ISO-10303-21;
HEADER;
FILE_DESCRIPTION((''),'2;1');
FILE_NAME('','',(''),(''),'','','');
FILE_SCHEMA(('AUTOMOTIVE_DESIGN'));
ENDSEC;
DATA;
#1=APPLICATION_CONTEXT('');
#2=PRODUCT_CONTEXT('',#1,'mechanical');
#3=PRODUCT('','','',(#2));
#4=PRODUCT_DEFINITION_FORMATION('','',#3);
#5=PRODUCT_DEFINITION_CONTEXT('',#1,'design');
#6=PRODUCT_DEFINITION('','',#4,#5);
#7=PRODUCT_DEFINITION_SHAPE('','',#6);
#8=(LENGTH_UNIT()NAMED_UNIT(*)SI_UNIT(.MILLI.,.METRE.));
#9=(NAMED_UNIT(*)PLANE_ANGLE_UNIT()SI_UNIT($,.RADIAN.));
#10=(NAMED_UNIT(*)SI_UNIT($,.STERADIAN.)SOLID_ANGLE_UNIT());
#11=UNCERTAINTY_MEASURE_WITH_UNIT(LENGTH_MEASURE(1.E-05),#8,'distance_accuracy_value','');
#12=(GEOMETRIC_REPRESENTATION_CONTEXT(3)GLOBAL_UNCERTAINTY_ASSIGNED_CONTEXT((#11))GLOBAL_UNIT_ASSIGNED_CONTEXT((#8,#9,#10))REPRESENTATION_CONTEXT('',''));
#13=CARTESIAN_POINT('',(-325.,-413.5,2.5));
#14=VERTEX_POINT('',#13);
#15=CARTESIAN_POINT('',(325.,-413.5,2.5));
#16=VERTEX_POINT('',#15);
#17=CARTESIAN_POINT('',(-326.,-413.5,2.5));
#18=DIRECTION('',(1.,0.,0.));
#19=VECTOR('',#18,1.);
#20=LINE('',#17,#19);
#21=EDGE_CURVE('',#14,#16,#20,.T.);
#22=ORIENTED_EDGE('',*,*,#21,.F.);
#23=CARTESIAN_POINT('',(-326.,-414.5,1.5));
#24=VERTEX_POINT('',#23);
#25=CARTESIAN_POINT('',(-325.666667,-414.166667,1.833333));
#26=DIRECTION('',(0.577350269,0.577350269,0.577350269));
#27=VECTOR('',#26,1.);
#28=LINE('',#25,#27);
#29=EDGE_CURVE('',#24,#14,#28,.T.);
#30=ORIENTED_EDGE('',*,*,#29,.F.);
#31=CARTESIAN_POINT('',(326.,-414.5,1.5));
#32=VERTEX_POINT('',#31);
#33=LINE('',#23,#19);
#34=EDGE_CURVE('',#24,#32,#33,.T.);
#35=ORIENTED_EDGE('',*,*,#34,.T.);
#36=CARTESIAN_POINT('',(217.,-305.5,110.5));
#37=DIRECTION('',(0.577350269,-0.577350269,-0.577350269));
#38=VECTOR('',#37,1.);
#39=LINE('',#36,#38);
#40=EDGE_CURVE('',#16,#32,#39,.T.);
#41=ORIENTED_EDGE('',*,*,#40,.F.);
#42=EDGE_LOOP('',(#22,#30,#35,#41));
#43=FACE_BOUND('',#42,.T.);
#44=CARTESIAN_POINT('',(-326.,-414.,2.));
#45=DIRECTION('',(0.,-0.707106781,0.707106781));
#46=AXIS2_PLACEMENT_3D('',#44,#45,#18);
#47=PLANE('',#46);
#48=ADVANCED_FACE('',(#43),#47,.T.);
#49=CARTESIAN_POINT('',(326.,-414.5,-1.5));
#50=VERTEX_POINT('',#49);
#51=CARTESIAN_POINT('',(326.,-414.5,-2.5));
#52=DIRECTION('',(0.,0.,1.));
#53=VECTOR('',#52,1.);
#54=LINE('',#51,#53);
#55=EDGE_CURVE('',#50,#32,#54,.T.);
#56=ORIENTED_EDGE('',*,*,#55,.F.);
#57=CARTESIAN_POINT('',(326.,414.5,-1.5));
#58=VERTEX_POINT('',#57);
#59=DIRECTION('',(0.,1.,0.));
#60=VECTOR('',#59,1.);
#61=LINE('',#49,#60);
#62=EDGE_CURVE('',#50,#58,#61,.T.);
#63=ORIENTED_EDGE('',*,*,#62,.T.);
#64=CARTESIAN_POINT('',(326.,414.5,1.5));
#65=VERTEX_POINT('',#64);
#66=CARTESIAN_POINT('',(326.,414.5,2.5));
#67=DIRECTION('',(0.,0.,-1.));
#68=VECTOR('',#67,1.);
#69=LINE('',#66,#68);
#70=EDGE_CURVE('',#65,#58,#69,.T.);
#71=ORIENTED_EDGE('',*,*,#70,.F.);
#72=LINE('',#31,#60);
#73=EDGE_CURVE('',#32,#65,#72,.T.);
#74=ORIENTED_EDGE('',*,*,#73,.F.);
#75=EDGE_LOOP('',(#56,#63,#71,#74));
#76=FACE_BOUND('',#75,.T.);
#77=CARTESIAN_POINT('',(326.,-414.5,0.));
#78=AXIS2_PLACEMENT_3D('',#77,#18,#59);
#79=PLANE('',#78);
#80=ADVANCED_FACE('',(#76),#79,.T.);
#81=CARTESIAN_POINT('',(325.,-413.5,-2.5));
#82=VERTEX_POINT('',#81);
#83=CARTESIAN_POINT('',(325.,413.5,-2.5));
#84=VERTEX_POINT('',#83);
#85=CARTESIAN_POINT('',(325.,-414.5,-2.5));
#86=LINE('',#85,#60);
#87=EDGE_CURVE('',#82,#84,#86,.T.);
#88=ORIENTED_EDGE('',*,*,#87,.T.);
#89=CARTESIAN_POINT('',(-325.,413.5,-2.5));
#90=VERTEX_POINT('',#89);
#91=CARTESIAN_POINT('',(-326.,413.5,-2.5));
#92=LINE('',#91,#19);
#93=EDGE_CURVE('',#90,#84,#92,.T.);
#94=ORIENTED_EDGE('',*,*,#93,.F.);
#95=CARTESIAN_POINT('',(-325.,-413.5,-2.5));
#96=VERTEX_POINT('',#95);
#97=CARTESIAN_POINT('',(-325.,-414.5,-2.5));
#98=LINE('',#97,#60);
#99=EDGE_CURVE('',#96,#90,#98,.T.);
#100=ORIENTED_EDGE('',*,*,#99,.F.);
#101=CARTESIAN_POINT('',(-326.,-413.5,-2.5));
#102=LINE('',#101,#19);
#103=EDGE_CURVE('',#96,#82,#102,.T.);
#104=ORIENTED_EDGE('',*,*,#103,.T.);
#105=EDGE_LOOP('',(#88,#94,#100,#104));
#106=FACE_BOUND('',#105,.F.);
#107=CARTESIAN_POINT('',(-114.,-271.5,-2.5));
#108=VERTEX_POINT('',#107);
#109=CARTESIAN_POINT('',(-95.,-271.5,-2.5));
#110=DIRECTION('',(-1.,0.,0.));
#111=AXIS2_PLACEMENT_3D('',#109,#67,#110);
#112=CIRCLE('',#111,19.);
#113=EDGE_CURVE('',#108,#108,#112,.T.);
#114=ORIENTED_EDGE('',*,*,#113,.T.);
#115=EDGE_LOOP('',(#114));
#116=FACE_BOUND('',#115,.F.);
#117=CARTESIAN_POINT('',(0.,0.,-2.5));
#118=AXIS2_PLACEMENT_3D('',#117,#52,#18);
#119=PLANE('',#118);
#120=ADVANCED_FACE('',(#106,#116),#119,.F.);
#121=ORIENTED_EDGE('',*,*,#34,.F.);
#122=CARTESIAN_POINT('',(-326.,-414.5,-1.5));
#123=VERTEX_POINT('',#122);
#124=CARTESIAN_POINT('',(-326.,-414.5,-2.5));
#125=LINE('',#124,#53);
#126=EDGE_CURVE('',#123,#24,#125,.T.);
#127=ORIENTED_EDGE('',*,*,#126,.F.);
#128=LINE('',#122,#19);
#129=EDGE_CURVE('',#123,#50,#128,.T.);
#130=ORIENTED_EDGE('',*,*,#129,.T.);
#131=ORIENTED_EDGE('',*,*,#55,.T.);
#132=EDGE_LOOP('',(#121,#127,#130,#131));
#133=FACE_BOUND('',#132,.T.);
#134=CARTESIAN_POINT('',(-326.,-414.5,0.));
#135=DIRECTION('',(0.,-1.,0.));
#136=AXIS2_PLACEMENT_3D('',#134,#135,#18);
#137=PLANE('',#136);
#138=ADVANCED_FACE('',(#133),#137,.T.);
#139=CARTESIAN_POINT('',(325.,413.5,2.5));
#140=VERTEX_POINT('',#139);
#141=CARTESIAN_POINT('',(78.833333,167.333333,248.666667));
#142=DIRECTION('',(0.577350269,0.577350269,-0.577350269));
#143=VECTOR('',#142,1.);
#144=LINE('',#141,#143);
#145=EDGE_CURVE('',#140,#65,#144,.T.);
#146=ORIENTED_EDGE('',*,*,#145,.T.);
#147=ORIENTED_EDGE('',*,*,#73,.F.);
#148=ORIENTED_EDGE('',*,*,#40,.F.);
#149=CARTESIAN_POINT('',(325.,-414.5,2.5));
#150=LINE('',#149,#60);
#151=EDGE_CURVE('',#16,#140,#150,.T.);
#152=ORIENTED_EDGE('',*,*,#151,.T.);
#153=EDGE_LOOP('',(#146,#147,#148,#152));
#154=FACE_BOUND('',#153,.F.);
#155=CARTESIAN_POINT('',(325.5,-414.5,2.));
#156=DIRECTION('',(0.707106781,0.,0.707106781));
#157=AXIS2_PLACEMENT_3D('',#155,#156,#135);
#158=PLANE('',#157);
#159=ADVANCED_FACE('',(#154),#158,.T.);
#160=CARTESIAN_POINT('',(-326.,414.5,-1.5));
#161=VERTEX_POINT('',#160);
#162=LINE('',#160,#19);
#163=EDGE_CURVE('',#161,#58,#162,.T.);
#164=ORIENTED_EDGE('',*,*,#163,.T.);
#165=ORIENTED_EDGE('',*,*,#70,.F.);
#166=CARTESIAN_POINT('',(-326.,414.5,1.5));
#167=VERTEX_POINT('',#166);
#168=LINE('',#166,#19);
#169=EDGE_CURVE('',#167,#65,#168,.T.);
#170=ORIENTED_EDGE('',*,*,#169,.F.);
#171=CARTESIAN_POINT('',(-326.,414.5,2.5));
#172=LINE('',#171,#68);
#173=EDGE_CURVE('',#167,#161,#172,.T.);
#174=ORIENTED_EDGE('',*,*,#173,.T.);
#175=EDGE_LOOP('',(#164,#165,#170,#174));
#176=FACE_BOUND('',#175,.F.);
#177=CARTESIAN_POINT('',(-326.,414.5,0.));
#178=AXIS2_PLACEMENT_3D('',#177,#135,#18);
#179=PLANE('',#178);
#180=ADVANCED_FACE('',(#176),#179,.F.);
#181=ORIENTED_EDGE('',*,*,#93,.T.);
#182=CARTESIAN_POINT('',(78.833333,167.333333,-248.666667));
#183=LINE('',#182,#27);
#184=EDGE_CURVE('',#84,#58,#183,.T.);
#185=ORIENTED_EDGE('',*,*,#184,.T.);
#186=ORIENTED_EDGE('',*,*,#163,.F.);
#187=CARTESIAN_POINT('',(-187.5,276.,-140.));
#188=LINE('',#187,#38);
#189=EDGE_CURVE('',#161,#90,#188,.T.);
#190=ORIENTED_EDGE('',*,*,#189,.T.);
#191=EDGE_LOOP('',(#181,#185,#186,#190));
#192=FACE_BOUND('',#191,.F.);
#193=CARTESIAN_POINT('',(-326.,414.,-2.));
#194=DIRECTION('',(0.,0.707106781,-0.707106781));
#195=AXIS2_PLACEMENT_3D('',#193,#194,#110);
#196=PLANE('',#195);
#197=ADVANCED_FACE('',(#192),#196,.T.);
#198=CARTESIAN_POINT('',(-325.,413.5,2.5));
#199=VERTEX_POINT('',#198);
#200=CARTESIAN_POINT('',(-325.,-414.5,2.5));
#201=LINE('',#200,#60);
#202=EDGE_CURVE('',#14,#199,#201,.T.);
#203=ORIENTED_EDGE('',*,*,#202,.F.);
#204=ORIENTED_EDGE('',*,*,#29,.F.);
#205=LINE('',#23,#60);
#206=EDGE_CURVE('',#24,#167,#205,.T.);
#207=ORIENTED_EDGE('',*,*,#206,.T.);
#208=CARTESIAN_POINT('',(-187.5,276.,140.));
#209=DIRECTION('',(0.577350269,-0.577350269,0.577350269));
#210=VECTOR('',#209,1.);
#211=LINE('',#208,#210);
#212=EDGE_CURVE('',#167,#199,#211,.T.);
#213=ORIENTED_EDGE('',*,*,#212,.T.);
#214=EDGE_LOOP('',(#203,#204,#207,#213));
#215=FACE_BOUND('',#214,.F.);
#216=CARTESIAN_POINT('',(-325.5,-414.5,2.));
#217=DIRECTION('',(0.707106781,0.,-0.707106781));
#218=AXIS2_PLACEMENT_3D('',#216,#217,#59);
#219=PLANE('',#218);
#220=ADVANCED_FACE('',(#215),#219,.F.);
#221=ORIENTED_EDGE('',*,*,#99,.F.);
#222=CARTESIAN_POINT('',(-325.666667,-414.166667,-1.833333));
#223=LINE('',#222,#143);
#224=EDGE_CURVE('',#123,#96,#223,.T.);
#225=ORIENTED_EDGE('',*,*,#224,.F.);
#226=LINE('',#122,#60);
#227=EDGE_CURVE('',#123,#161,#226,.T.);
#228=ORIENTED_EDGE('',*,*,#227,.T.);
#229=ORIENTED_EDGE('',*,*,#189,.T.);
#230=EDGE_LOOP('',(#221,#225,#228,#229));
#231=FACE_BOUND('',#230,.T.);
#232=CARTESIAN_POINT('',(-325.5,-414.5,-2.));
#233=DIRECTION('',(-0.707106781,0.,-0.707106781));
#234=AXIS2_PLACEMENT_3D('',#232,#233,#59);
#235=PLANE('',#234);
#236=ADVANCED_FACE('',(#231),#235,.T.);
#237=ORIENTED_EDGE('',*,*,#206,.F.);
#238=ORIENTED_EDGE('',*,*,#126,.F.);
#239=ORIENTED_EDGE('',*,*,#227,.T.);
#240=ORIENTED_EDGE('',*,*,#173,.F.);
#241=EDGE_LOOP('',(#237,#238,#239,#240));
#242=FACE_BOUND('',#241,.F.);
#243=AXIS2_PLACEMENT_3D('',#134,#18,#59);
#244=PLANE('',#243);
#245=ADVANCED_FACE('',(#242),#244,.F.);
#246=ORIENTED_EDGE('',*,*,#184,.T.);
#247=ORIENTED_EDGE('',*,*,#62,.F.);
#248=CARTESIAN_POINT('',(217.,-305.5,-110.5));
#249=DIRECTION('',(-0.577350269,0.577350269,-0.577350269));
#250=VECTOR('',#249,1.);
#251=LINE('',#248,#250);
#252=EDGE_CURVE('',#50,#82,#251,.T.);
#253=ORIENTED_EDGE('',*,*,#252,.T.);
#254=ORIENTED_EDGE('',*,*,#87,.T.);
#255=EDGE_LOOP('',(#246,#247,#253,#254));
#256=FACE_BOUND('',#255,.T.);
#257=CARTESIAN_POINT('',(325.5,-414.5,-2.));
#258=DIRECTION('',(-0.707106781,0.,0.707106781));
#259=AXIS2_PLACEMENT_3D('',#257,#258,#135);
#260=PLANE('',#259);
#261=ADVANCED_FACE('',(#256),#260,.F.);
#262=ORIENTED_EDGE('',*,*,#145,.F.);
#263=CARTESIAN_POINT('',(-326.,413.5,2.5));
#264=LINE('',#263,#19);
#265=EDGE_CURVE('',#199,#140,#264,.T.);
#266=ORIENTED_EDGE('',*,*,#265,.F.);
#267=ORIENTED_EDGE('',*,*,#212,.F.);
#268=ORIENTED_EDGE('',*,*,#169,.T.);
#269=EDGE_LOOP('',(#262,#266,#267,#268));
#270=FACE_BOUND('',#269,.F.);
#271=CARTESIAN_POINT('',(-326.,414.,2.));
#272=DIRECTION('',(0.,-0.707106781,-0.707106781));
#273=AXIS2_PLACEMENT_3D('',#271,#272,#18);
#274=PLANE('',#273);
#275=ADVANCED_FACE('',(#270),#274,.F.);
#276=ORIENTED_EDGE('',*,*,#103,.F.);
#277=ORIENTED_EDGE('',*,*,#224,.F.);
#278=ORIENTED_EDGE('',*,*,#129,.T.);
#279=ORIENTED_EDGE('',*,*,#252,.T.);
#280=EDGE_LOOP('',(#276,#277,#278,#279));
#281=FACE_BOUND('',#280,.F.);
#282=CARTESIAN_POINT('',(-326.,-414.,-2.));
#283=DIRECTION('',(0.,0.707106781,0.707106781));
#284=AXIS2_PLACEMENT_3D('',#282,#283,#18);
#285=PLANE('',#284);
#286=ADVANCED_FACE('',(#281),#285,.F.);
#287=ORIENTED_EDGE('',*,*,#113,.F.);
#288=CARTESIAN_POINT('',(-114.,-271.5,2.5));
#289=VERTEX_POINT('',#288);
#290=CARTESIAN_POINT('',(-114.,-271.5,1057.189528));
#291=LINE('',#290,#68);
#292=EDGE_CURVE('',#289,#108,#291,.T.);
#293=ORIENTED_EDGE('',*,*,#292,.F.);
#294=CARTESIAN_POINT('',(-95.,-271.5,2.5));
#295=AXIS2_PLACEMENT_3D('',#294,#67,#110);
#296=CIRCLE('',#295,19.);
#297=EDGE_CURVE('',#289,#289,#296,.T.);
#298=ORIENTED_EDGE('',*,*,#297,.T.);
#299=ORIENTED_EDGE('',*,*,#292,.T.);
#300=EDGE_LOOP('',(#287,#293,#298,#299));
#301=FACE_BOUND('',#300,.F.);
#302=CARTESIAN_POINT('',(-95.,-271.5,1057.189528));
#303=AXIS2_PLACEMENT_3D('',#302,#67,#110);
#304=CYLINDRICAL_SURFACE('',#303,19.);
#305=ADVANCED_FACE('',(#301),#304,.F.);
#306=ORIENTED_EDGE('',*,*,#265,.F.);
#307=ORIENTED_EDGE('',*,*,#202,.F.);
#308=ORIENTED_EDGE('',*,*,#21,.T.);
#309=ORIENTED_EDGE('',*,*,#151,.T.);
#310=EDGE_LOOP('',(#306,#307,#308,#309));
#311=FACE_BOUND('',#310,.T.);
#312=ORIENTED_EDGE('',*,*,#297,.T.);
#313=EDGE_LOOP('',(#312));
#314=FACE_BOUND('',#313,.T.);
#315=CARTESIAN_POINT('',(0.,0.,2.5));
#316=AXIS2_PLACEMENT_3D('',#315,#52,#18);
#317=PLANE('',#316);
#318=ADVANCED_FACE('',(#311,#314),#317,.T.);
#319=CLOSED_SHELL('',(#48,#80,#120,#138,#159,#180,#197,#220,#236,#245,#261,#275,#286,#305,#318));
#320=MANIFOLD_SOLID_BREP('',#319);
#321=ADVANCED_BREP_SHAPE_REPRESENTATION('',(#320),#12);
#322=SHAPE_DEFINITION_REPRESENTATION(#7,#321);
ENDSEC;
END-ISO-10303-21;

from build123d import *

# Parameters (mm, degrees)
F0_W     = 652
F0_H     = 829
F1_DEPTH = 2.5
F3_D     = 38
F4_SIZE  = 1


with BuildPart() as f1:
    # F0 (on Top) → F1 (new body, symmetric)
    with BuildSketch(Plane.XY):
        Rectangle(F0_W, F0_H)
    extrude(amount=F1_DEPTH, both=True)

    # F3 (through all)
    with Locations(Plane.XY.offset(2.5)):
        with Locations((-95, -271.5)):
            Hole(F3_D / 2)

    # F4
    f4_edges = [f1.edges().sort_by_distance(p)[0] for p in [
        (0, -414.5, -2.5),
        (-326, 0, -2.5),
        (0, 414.5, -2.5),
        (326, 0, -2.5),
        (326, 0, 2.5),
        (0, 414.5, 2.5),
        (-326, 0, 2.5),
        (0, -414.5, 2.5),
    ]]
    chamfer(f4_edges, length=F4_SIZE)


solid = f1.part
